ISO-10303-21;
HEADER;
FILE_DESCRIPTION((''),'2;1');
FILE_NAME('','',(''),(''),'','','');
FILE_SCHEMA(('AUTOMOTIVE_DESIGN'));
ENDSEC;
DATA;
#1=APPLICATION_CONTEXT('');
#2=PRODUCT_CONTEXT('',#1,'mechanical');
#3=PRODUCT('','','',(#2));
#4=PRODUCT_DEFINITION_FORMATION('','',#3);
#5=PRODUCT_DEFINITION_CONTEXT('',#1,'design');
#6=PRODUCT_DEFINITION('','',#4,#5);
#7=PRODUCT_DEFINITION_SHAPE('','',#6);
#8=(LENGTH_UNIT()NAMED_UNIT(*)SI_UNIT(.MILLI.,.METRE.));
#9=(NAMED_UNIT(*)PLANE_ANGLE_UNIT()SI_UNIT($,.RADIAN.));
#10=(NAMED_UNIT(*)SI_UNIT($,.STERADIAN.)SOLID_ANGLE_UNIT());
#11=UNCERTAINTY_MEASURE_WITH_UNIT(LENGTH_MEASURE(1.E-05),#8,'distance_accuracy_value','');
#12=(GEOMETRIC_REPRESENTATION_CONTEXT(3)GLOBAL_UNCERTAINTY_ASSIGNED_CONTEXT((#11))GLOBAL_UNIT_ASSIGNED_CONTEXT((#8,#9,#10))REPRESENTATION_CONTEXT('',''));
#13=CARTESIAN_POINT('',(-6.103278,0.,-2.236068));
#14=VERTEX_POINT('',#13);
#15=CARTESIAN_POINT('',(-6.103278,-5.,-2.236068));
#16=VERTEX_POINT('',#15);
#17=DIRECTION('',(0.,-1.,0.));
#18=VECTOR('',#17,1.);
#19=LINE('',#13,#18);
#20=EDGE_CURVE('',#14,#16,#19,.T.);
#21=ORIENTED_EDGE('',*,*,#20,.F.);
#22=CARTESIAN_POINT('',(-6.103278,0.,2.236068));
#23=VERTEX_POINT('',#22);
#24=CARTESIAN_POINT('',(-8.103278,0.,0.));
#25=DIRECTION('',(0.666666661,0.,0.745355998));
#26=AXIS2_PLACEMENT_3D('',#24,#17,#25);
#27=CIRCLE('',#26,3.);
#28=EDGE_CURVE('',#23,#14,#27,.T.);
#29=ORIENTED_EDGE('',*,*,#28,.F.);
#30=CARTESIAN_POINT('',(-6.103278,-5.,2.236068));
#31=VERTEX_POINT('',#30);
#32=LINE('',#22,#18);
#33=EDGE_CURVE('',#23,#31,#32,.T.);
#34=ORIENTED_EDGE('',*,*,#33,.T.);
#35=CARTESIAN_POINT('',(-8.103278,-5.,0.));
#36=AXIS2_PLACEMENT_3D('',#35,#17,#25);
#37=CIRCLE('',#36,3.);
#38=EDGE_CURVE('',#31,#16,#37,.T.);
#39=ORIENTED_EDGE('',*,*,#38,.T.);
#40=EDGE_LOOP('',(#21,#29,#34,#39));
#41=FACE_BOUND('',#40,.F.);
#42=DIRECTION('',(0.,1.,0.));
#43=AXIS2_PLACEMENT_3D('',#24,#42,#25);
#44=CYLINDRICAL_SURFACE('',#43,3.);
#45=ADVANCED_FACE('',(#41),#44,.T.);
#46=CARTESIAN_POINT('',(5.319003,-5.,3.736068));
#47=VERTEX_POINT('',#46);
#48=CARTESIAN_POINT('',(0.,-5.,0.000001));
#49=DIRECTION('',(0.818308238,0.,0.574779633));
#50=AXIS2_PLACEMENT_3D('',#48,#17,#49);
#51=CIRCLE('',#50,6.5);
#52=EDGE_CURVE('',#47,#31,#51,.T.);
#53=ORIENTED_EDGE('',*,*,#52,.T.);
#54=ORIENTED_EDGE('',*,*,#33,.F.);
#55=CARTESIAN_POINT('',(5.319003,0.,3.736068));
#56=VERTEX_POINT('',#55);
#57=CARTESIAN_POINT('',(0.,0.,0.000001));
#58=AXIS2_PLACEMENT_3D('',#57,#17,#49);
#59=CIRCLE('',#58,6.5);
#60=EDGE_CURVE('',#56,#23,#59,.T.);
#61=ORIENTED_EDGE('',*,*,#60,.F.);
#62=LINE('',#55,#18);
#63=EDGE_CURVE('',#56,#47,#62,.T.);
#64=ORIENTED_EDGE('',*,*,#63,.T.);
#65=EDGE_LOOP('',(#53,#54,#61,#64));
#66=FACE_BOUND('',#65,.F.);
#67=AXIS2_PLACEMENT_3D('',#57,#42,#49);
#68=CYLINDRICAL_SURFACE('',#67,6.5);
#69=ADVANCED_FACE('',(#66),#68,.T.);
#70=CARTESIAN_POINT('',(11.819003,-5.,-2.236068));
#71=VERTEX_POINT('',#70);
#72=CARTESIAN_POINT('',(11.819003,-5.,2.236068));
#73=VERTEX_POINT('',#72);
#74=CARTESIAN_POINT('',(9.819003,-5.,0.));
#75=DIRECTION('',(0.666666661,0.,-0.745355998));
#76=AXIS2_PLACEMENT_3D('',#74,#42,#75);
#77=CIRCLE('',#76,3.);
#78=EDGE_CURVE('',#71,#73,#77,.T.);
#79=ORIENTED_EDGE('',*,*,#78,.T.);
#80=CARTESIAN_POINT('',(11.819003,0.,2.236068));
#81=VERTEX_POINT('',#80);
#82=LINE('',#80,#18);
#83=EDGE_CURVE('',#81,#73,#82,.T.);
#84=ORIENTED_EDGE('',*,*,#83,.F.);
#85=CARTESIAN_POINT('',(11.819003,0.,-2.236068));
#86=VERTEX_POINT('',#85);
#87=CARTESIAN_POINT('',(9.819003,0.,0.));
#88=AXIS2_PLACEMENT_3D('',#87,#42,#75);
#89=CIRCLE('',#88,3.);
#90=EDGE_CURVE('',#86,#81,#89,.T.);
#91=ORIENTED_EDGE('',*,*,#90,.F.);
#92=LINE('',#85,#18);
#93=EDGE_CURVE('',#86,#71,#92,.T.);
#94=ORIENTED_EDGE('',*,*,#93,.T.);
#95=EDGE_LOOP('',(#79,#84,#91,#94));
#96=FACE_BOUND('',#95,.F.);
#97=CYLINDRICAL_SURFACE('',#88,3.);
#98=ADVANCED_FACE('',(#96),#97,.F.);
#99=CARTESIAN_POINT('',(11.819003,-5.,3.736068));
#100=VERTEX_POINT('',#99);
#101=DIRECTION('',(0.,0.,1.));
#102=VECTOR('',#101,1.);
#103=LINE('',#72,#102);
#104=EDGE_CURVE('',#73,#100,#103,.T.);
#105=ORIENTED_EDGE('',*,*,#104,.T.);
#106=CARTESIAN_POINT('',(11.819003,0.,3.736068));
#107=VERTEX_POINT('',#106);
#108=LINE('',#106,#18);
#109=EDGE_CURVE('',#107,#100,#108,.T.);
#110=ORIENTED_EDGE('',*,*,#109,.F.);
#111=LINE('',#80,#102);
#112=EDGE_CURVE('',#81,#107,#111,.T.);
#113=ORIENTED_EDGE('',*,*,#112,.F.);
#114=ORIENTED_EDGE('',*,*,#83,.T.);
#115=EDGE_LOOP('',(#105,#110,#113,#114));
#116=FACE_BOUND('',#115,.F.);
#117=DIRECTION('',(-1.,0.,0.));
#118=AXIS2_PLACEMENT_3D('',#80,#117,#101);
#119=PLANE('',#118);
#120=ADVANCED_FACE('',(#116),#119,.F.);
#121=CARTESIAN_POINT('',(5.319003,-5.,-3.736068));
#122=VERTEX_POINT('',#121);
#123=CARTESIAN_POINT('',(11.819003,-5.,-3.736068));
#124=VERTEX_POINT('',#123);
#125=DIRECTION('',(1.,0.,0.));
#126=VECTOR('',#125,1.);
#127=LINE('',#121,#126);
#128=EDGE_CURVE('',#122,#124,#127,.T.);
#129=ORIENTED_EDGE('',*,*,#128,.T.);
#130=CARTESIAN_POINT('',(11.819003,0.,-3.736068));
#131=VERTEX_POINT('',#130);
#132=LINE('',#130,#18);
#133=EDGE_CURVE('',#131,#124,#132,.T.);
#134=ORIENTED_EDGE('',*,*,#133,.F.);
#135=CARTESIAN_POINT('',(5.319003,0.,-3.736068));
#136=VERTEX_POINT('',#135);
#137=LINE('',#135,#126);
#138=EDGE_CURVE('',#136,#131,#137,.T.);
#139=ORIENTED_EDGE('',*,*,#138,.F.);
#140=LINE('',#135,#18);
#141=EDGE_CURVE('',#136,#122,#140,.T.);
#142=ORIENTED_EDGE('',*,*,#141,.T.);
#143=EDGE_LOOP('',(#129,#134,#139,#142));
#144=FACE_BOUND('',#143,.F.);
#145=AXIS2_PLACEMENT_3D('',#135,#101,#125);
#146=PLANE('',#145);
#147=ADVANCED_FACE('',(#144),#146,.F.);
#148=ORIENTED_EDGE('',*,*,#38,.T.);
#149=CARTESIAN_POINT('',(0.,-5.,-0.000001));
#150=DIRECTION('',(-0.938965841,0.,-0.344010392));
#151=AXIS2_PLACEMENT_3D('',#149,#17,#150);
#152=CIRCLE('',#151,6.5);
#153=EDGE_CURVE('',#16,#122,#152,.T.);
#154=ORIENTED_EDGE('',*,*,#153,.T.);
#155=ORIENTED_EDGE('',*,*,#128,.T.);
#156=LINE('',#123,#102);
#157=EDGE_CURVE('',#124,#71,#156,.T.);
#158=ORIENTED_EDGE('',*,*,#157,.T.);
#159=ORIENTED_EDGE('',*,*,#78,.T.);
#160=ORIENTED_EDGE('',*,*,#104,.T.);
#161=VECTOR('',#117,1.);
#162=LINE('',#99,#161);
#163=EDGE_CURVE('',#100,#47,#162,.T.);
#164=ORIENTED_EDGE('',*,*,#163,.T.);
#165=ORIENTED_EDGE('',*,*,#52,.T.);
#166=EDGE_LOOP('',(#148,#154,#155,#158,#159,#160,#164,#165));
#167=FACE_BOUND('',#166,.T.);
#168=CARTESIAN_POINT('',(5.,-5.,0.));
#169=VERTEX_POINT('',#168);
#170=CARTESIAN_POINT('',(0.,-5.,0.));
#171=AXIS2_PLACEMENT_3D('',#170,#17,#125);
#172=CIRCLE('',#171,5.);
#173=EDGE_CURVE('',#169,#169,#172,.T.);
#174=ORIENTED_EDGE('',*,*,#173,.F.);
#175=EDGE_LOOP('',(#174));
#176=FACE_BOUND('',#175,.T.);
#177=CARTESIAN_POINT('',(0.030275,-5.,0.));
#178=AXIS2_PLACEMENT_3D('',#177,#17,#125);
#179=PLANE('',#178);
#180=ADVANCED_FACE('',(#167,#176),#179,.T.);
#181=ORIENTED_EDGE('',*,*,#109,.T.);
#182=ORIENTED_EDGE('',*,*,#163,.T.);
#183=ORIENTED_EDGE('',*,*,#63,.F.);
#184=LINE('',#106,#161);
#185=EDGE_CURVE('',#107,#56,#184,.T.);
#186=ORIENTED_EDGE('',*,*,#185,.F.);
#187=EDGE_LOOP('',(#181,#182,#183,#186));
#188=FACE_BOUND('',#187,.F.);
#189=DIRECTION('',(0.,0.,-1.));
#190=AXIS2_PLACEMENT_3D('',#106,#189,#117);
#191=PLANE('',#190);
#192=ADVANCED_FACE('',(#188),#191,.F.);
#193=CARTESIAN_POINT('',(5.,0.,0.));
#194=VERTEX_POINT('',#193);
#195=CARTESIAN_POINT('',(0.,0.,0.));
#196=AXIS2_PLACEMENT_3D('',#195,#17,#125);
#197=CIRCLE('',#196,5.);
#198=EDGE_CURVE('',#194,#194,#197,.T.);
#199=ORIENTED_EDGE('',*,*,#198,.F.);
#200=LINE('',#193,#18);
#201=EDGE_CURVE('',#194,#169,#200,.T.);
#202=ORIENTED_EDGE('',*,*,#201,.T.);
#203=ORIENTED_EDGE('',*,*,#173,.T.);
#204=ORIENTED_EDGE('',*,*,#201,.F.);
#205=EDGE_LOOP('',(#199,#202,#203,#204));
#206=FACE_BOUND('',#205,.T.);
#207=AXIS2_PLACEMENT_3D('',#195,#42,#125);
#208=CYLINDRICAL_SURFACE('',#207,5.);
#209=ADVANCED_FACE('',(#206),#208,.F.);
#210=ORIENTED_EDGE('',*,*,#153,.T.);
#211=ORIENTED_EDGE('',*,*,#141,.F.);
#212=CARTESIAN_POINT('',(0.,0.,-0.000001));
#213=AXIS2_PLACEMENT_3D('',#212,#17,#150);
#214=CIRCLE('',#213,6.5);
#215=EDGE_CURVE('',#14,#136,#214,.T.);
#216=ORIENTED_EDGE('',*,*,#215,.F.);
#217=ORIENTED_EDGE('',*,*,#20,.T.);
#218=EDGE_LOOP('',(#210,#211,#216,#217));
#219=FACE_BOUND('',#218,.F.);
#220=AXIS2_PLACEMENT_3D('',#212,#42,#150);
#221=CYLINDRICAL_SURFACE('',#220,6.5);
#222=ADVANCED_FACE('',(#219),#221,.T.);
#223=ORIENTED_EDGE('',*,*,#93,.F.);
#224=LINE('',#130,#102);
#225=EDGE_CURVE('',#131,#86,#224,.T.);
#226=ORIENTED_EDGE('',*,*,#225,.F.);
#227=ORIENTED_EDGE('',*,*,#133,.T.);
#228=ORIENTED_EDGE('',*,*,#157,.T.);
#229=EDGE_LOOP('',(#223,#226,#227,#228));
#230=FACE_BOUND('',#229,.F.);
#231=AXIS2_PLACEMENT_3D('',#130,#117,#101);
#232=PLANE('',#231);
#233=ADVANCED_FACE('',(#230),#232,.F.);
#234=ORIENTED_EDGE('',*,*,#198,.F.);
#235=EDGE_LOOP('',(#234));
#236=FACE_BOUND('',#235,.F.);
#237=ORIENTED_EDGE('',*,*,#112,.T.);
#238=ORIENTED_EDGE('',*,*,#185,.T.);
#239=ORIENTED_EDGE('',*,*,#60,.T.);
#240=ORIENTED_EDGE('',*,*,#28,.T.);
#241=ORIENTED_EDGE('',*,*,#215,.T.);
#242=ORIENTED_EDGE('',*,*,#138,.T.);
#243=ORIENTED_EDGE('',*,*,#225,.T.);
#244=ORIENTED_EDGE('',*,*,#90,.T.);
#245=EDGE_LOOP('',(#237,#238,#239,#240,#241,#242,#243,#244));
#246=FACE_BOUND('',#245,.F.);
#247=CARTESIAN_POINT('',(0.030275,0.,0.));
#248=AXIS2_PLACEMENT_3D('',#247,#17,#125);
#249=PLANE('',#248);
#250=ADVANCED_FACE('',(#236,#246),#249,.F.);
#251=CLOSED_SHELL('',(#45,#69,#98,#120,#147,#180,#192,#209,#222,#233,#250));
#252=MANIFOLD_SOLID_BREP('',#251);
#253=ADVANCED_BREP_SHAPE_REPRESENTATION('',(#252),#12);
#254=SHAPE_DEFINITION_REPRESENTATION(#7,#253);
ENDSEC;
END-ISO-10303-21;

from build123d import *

# Parameters (mm, degrees)
F0_R     = 5
F1_DEPTH = 5


with BuildPart() as f1:
    # F0 (on Front) → F1 (new body)
    with BuildSketch(Plane.XZ):
        with BuildLine():
            ThreePointArc((5.319003, -3.736068), (6.197722, -1.959142), (6.5, 0))
            ThreePointArc((6.5, 0), (6.197722, 1.959142), (5.319003, 3.736068))
            ThreePointArc((5.319003, 3.736068), (-0.846328, 6.444667), (-6.103278, 2.236068))
            ThreePointArc((-6.103278, 2.236068), (-6.5, 0), (-6.103278, -2.236068))
            ThreePointArc((-6.103278, -2.236068), (-0.846328, -6.444667), (5.319003, -3.736068))
        make_face()
        Circle(F0_R, mode=Mode.SUBTRACT)
        with BuildLine():
            ThreePointArc((-6.103278, -2.236068), (-6.5, 0), (-6.103278, 2.236068))
            ThreePointArc((-6.103278, 2.236068), (-11.103278, 0), (-6.103278, -2.236068))
        make_face()
        with BuildLine():
            ThreePointArc((5.319003, 3.736068), (6.197722, 1.959142), (6.5, 0))
            ThreePointArc((6.5, 0), (6.197722, -1.959142), (5.319003, -3.736068))
            Line((5.319003, -3.736068), (11.819003, -3.736068))
            Line((11.819003, -3.736068), (11.819003, -2.236068))
            ThreePointArc((11.819003, -2.236068), (6.819003, 0), (11.819003, 2.236068))
            Line((11.819003, 2.236068), (11.819003, 3.736068))
            Line((11.819003, 3.736068), (5.319003, 3.736068))
        make_face()
    extrude(amount=F1_DEPTH)


solid = f1.part
